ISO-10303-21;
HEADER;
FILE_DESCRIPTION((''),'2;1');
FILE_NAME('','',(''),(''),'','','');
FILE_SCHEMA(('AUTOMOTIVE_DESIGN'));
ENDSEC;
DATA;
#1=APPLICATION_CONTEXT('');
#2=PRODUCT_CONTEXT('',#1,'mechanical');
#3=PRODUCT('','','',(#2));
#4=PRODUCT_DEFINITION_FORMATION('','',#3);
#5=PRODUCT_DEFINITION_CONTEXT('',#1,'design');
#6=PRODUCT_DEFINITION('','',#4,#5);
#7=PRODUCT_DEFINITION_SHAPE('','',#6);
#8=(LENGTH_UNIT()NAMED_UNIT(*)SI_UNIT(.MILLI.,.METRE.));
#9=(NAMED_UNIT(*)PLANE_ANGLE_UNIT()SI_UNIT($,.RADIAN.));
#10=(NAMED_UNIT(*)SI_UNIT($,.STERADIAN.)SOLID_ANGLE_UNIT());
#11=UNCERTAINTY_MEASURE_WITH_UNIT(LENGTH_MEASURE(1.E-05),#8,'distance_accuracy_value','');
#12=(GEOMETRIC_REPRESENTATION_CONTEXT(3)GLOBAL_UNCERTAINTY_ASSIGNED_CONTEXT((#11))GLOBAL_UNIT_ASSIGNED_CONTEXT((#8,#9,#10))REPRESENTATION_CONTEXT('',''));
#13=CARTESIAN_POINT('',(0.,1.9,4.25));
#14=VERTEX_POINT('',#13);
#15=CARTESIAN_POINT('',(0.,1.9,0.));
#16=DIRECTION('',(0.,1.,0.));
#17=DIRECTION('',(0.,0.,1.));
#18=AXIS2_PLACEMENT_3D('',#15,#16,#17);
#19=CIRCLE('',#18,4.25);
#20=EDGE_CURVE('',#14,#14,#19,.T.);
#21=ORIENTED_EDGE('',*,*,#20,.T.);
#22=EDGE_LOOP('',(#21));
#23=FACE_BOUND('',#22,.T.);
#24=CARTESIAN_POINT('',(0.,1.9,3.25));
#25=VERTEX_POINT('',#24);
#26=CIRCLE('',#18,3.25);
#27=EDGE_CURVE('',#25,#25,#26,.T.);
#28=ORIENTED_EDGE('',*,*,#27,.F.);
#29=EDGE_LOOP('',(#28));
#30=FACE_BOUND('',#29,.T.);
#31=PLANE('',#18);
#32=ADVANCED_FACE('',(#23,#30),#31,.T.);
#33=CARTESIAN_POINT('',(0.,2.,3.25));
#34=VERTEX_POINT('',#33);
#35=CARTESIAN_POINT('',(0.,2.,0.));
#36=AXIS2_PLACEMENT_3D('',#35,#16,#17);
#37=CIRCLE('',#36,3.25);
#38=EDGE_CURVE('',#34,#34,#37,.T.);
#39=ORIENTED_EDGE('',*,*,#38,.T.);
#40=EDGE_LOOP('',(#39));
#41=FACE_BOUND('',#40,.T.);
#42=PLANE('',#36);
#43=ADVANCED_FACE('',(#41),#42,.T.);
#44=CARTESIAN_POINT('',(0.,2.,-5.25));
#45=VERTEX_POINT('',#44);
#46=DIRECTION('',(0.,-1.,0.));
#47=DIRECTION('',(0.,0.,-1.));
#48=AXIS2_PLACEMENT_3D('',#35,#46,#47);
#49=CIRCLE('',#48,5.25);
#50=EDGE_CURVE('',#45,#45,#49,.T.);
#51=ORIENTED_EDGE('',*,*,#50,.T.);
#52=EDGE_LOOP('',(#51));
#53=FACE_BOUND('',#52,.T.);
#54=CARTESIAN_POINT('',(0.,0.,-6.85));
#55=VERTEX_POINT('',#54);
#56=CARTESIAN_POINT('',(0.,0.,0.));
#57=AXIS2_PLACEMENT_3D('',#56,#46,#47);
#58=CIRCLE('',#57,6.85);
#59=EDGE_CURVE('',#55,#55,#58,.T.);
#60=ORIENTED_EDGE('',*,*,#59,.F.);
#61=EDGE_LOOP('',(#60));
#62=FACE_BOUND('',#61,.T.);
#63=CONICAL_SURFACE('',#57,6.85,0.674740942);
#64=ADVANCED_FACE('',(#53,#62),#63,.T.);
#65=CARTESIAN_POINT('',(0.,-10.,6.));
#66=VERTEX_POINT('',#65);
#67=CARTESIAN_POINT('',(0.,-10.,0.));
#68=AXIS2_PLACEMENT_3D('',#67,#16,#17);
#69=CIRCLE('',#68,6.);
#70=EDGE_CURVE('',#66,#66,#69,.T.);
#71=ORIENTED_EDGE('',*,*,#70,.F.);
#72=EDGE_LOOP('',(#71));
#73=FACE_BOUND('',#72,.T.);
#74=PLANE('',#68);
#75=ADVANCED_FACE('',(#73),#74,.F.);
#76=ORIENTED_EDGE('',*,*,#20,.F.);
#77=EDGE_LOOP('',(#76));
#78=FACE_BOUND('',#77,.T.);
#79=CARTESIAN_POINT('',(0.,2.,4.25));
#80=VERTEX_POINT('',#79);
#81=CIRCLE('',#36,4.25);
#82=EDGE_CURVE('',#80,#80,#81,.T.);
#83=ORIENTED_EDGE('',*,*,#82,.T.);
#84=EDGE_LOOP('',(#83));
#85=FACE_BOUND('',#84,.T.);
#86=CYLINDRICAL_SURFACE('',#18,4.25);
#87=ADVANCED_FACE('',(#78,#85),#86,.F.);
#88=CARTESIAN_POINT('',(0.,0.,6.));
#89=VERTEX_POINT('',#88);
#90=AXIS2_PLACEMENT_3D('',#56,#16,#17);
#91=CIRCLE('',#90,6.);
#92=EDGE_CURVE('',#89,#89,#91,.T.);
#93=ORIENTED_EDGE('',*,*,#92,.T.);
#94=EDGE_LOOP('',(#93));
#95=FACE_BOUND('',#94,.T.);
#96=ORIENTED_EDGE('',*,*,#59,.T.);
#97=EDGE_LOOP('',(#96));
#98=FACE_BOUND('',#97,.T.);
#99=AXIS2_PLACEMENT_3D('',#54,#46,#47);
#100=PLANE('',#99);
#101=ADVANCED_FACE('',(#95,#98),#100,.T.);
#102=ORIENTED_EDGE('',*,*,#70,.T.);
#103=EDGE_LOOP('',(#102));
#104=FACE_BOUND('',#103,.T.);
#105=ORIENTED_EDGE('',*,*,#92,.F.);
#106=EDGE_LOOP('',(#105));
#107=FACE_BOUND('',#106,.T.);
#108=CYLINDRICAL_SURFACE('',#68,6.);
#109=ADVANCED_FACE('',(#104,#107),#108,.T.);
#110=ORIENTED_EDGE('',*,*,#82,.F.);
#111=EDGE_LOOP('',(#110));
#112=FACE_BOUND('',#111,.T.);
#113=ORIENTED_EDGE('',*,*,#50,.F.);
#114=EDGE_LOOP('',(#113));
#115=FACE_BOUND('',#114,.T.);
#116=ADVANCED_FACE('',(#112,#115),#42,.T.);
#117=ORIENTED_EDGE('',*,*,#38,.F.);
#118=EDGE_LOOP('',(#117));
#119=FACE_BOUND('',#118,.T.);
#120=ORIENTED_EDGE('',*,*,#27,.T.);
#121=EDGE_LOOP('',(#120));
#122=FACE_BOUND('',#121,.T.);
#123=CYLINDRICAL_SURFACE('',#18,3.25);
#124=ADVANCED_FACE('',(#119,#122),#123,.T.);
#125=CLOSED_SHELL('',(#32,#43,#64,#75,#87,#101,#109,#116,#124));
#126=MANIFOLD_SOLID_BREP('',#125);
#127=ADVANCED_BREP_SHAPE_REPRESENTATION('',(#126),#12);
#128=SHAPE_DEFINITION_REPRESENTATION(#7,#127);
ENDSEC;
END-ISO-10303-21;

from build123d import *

# Parameters (mm, degrees)
ESQUISSE1_R             = 6
BOSS_EXTRU_1_DEPTH      = 10
ESQUISSE4_R             = 4.25
ESQUISSE4_R_2           = 3.25
ENL_V_MAT_EXTRU_1_DEPTH = 0.1


with BuildPart() as part:
    # Esquisse1 → Boss.-Extru.1 (new body)
    with BuildSketch(Plane(origin=(0, 0, 0), x_dir=(1, 0, 0), z_dir=(0, 1, 0))):
        with Locations(Location((0, 0, 0), (0, 0, 270))):
            Circle(ESQUISSE1_R)
    extrude(amount=-BOSS_EXTRU_1_DEPTH)

    # Esquisse3 → Révolution1 (revolve)
    with BuildSketch(Plane(origin=(0, 0, 0), x_dir=(0, 0, -1), z_dir=(1, 0, 0))):
        Polygon((0, 0), (0, 2), (5.25, 2), (6.85, 0), align=None)
    revolve(axis=Axis((0, 0, 0), (0, 1, 0)))

    # Esquisse4 → Enlèv. mat.-Extru.1 (cut)
    with BuildSketch(Plane(origin=(0, 2, 0), x_dir=(1, 0, 0), z_dir=(0, 1, 0))):
        with Locations(Location((0, 0, 0), (0, 0, 270))):
            Circle(ESQUISSE4_R)
        with Locations(Location((0, 0, 0), (0, 0, 270))):
            Circle(ESQUISSE4_R_2, mode=Mode.SUBTRACT)
    extrude(amount=-ENL_V_MAT_EXTRU_1_DEPTH, mode=Mode.SUBTRACT)


solid = part.part
